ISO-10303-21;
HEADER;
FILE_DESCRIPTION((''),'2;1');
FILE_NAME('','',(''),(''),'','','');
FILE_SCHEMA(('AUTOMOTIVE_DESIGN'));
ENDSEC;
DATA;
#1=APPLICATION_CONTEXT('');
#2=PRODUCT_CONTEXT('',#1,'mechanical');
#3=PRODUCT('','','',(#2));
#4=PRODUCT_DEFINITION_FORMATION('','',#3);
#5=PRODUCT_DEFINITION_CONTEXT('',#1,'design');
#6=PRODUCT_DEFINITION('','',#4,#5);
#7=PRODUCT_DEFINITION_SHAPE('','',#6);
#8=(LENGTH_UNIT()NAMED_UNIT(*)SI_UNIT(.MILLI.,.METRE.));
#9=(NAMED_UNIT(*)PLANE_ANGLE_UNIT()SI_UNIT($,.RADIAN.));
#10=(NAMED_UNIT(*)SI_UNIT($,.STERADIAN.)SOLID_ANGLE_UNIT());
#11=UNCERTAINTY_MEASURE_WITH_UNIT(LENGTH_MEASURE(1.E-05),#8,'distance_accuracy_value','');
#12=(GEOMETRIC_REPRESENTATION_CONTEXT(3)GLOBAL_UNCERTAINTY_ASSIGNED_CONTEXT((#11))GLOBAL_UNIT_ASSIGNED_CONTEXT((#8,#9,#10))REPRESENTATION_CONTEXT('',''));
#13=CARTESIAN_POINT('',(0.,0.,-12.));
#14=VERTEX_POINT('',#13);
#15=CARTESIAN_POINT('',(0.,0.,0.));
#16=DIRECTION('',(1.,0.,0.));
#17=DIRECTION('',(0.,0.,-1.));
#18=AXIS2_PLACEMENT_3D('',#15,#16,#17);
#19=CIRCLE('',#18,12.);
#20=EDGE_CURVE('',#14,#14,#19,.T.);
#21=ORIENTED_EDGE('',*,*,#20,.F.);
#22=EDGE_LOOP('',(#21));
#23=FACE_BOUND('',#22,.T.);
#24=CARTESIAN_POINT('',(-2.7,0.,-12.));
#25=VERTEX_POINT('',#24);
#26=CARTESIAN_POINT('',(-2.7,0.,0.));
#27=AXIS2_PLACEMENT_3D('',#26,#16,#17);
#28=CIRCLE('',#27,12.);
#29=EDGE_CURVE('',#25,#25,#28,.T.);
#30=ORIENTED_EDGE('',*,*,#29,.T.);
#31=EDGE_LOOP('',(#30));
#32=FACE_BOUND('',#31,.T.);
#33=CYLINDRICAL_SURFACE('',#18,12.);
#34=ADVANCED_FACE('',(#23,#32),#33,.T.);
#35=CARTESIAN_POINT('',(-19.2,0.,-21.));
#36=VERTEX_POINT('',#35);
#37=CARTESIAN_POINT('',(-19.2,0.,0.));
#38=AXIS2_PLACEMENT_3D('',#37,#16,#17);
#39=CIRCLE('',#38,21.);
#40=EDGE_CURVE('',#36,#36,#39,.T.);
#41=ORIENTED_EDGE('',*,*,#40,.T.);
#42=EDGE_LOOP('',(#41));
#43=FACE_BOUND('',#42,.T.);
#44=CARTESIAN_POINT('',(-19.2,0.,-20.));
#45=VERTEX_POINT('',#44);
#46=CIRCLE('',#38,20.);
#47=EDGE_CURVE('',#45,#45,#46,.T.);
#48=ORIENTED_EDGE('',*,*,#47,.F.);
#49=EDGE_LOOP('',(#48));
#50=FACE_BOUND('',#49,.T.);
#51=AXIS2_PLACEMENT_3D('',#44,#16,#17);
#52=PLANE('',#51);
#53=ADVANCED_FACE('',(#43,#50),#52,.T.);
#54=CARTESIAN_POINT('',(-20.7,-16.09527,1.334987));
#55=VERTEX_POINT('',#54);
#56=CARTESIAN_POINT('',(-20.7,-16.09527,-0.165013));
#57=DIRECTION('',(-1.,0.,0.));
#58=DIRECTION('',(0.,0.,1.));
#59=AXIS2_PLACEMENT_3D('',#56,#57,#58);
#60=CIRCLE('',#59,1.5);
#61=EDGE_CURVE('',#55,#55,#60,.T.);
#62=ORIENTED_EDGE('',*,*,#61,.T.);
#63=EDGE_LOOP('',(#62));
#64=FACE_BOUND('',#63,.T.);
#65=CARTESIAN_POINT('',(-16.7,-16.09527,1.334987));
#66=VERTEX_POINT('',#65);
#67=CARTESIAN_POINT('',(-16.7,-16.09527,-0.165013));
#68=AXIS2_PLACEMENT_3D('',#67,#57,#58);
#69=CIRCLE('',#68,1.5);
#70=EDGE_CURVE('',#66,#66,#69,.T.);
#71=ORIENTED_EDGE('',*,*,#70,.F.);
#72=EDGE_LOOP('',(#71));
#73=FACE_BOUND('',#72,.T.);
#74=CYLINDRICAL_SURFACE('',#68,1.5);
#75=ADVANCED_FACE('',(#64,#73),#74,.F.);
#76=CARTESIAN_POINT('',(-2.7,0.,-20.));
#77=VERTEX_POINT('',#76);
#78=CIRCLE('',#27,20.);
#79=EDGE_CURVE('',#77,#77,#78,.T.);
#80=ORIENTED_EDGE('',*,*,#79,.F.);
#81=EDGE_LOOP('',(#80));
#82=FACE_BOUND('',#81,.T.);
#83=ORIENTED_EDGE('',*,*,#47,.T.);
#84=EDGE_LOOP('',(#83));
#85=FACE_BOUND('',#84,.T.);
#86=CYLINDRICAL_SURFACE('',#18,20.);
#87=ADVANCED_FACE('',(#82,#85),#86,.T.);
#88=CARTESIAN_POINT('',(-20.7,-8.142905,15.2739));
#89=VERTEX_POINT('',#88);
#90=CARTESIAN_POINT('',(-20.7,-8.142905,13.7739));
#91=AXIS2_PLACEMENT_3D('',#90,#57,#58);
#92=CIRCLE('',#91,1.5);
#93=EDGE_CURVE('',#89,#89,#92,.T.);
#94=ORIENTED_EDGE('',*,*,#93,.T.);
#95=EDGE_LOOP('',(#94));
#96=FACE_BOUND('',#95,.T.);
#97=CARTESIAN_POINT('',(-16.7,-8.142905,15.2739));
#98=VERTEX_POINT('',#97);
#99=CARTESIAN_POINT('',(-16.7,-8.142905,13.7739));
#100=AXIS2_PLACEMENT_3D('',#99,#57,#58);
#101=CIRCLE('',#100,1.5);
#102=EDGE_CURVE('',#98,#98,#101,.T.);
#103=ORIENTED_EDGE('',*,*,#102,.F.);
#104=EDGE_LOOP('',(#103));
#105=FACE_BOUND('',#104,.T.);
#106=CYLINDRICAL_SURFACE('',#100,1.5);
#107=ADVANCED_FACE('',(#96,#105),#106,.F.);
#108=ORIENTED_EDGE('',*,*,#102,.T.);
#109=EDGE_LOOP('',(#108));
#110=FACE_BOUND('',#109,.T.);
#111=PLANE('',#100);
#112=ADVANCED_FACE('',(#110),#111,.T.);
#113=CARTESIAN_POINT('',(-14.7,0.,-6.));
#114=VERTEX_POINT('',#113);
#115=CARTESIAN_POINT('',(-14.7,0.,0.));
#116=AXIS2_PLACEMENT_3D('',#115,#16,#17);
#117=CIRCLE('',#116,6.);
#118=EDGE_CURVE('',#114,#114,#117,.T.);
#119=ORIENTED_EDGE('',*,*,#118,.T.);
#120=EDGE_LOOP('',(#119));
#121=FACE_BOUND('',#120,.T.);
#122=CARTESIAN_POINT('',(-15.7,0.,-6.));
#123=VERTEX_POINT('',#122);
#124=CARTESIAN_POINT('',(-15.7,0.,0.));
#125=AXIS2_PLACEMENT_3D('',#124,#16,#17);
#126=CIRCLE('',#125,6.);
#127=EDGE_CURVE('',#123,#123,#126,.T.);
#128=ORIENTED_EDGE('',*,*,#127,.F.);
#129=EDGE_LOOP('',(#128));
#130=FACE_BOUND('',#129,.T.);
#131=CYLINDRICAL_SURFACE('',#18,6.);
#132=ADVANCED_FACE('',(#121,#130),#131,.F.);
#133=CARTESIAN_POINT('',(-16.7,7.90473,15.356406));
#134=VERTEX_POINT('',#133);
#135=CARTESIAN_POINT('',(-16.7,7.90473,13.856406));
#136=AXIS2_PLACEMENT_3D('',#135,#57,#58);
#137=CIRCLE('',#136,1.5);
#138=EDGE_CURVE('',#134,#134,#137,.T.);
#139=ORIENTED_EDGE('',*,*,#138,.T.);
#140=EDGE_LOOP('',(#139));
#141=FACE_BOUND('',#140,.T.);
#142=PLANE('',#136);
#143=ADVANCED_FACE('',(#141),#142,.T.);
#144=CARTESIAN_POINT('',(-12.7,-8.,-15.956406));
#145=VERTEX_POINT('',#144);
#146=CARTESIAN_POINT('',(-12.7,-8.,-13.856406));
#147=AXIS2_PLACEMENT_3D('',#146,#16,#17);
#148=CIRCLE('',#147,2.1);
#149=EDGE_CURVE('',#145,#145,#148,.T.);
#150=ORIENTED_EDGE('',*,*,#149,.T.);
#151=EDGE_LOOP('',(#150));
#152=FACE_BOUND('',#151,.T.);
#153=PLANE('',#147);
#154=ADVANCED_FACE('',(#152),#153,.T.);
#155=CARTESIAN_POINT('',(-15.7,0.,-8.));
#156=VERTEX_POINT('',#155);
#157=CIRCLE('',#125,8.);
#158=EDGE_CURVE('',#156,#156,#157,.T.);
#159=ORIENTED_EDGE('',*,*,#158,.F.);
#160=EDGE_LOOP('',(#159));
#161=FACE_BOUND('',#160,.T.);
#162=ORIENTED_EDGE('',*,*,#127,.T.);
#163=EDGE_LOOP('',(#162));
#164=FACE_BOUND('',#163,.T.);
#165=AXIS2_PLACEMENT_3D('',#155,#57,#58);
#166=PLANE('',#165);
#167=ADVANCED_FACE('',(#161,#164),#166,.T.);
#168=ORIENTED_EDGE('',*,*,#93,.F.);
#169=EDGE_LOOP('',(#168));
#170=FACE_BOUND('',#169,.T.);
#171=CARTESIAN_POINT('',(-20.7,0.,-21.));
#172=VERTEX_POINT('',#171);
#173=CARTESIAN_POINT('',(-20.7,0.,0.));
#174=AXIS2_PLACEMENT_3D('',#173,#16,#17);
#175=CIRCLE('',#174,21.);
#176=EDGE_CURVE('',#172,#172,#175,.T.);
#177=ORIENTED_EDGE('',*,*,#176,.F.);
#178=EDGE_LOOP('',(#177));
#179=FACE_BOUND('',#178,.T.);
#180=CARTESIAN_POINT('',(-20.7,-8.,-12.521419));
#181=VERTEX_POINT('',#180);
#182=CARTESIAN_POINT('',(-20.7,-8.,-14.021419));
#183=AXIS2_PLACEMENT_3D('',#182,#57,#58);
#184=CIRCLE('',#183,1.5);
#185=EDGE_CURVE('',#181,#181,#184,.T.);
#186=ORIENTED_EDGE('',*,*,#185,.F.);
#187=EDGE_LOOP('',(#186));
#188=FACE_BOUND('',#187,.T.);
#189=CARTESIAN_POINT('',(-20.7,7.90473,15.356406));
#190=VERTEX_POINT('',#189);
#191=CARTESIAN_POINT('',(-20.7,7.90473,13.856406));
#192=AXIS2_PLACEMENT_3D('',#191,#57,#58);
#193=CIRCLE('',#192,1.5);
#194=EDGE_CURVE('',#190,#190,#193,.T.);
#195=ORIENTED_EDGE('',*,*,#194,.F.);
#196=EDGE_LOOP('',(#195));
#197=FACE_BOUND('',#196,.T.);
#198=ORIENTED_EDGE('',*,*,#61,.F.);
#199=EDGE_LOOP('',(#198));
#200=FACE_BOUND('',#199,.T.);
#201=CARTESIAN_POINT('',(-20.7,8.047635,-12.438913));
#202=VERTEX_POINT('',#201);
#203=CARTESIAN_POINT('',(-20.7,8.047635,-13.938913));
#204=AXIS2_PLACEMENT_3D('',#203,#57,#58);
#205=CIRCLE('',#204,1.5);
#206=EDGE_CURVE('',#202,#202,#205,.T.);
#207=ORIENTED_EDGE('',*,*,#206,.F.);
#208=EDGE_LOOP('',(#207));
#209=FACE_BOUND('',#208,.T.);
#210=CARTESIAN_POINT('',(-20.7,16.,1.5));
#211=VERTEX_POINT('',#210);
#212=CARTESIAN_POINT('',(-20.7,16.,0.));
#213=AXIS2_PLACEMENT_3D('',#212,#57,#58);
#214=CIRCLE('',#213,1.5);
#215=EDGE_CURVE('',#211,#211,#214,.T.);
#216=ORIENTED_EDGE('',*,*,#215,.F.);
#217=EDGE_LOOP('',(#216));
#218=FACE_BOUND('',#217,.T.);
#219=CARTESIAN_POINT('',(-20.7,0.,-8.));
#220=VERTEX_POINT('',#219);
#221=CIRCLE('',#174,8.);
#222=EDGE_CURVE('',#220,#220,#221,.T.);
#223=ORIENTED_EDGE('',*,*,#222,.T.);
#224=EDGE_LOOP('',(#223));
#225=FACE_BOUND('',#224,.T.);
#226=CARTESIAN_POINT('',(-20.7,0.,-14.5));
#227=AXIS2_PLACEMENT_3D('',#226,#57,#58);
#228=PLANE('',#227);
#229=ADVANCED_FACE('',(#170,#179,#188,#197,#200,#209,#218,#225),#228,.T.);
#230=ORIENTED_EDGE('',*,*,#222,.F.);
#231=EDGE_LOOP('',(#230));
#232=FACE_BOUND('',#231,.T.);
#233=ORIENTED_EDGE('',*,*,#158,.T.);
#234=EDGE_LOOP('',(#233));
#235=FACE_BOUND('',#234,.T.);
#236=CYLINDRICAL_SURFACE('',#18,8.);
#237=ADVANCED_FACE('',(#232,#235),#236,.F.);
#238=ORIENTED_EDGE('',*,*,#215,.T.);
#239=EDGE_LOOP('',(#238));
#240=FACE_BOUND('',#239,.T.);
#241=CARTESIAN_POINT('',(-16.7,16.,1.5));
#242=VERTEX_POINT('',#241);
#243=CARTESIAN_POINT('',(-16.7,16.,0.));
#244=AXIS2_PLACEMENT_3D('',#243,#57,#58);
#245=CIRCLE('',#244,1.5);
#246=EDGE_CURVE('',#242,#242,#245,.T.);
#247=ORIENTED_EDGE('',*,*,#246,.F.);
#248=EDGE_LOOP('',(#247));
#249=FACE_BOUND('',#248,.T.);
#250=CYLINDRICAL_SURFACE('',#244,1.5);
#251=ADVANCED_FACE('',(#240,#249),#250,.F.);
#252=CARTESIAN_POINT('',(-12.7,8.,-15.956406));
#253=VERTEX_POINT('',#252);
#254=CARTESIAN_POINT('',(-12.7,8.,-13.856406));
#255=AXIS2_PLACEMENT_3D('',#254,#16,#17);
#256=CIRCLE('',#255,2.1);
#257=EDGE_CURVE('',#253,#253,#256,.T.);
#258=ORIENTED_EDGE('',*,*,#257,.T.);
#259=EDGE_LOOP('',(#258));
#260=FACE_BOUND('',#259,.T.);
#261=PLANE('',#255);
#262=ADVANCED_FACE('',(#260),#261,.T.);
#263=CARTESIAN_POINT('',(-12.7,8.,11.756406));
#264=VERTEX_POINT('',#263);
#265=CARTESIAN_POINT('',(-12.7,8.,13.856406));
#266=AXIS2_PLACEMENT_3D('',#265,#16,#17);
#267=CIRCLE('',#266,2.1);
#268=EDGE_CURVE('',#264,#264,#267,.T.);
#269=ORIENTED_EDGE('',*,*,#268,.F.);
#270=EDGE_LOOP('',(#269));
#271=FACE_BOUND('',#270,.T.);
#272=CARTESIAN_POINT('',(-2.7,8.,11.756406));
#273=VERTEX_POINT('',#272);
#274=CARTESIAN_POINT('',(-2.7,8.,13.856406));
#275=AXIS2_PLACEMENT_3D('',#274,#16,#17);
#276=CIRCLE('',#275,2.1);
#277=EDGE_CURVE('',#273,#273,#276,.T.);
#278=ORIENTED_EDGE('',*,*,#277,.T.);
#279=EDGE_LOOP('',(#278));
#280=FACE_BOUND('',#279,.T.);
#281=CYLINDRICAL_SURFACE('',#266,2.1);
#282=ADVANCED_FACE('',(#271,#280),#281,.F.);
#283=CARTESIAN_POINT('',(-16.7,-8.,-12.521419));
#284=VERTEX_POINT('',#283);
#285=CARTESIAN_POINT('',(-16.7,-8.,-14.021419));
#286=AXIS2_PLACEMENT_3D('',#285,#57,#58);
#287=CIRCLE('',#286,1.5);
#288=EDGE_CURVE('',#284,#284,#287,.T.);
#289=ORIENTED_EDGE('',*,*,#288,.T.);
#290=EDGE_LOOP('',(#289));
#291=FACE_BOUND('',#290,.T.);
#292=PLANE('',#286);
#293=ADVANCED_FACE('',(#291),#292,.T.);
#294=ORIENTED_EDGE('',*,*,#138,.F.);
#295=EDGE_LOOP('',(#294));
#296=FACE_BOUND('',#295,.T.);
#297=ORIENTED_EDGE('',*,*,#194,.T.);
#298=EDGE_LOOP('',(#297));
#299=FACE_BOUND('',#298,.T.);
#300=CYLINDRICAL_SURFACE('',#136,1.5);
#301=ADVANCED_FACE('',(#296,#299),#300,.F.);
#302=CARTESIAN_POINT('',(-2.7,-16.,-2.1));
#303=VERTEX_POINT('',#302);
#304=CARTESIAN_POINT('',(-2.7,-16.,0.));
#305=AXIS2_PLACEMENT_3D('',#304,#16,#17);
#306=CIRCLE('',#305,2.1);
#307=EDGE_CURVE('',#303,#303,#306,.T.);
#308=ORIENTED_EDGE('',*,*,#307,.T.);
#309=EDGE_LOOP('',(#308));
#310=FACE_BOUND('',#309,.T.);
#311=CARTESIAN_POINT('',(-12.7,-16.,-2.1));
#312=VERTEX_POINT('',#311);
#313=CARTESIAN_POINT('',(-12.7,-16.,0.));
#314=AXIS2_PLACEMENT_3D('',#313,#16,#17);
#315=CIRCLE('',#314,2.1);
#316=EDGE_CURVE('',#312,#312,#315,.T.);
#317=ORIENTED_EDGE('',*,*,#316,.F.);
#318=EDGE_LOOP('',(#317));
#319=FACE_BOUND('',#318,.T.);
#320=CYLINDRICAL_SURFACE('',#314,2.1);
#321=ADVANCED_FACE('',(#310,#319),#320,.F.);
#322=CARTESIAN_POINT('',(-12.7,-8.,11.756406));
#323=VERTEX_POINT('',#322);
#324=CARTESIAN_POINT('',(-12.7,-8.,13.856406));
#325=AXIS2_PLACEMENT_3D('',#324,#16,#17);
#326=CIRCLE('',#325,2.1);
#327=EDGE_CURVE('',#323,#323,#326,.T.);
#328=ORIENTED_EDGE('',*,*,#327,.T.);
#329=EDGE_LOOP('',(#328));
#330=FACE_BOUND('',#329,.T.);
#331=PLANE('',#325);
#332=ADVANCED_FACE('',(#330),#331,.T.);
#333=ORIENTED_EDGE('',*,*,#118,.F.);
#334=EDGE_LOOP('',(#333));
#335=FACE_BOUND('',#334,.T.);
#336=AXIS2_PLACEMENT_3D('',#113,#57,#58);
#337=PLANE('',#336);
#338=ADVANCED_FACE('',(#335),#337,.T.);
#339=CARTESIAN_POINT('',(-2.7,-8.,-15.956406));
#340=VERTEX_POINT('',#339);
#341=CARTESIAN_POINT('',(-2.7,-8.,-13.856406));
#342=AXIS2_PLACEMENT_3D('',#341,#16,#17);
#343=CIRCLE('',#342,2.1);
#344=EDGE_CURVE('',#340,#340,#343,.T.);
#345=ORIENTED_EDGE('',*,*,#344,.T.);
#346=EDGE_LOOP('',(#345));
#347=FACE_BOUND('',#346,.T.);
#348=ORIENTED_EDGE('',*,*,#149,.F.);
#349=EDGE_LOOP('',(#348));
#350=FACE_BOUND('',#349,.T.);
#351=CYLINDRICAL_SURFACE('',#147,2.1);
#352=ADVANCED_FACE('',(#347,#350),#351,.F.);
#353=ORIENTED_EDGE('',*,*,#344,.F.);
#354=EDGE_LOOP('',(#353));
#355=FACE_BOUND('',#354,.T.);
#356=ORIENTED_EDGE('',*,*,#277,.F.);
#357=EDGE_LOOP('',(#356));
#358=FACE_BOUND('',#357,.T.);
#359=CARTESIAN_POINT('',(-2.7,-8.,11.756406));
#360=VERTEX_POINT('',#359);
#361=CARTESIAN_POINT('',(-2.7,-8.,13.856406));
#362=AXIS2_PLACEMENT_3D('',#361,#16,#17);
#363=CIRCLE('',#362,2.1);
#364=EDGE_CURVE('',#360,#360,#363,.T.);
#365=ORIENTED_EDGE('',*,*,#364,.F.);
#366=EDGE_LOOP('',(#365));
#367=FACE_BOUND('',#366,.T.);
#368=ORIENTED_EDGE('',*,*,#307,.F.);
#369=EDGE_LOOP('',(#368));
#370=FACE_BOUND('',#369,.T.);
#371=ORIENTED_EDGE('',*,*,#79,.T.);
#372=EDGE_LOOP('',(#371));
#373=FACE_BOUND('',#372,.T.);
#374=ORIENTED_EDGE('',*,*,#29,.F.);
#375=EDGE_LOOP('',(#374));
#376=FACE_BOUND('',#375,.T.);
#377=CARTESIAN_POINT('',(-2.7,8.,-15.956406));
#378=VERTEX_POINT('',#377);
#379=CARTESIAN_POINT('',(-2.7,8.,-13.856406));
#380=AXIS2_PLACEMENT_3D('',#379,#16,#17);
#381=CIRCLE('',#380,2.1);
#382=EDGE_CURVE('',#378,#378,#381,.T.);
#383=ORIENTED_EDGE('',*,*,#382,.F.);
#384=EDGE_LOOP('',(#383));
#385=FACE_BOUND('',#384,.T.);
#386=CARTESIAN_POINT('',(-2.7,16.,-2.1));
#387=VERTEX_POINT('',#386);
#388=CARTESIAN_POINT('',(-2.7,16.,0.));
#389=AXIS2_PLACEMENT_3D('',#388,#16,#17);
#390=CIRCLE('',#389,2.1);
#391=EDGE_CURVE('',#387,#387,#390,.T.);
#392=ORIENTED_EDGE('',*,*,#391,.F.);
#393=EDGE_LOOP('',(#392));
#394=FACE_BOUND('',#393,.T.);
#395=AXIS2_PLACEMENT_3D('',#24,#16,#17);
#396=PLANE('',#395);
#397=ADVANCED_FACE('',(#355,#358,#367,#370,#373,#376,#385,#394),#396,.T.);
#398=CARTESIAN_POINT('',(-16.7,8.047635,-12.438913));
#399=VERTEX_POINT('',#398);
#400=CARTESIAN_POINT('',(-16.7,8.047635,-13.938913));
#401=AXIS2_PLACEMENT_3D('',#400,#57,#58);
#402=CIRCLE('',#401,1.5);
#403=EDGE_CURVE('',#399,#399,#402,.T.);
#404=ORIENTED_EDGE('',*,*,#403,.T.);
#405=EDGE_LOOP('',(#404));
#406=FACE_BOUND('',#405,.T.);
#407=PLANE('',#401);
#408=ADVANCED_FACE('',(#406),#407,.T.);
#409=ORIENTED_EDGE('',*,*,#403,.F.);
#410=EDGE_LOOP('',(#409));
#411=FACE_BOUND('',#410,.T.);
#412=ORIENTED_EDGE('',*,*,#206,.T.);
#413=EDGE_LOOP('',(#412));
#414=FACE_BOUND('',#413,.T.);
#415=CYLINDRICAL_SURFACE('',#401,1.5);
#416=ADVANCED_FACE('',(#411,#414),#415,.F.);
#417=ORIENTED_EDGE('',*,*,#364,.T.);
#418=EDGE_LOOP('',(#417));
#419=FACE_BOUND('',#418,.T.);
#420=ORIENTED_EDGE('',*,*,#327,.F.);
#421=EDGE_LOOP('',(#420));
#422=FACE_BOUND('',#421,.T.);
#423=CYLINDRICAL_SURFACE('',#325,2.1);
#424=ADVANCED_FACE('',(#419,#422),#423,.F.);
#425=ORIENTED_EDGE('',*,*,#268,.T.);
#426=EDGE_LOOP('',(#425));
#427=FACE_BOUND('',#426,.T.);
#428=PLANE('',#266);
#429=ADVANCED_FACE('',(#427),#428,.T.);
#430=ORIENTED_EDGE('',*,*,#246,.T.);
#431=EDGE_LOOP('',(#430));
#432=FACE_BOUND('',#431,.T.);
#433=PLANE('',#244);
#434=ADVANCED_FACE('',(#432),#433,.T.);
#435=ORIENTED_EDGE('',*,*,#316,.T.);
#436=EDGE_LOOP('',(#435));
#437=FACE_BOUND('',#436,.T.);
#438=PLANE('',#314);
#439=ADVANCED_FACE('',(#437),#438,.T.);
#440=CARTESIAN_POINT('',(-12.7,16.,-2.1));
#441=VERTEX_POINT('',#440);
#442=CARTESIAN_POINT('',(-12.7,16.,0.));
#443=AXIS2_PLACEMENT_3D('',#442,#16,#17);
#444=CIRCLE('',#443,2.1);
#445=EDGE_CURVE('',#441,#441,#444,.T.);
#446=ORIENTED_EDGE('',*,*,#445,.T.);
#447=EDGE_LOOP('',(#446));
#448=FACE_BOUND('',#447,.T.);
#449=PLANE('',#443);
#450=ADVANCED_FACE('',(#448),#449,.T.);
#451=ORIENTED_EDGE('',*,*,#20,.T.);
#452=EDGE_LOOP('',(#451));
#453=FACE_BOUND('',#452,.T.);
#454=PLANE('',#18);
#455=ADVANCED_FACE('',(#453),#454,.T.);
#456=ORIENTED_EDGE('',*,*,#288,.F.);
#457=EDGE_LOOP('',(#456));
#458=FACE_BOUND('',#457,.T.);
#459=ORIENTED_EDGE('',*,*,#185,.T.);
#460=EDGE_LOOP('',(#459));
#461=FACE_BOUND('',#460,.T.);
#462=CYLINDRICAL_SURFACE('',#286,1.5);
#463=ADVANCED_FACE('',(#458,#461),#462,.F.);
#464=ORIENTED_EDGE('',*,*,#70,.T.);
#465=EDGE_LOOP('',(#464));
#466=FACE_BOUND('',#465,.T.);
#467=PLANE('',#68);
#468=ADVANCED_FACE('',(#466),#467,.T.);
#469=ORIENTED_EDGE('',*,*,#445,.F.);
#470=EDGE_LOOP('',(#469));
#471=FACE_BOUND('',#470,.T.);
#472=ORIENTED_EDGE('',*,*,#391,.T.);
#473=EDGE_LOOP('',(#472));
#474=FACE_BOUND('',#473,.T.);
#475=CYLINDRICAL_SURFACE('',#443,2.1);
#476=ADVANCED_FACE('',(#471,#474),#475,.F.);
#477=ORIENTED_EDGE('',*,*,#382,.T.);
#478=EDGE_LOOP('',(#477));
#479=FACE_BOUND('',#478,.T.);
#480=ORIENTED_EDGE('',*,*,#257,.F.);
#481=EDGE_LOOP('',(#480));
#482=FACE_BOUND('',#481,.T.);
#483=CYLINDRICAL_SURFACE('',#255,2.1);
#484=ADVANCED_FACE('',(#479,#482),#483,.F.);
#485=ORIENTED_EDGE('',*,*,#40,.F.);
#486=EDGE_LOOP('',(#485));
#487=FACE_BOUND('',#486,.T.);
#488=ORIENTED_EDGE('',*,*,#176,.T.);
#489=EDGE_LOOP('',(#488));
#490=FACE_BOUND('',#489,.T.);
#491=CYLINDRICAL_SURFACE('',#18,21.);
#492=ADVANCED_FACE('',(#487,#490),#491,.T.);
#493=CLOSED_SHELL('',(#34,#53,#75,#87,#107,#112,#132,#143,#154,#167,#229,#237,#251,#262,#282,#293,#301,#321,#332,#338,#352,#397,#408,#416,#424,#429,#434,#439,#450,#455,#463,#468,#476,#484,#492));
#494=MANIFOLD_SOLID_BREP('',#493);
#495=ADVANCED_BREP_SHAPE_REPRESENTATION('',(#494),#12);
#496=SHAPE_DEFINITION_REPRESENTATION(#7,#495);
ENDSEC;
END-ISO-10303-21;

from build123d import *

# Parameters (mm, degrees)
SKETCH3_R          = 1.5
CUT_EXTRUDE1_DEPTH = 4
SKETCH4_R          = 2.1
CUT_EXTRUDE2_DEPTH = 10


with BuildPart() as part:
    # Sketch2 → Revolve1 (revolve)
    with BuildSketch(Plane(origin=(0, 0, 0), x_dir=(1, 0, 0), z_dir=(0, 1, 0))):
        Polygon((0, 0), (0, 12), (-2.7, 12), (-2.7, 20), (-19.2, 20), (-19.2, 21), (-20.7, 21), (-20.7, 17.652837292), (-20.7, 14.5), (-20.7, 8), (-15.7, 8), (-15.7, 6), (-14.7, 6), (-14.7, 0), align=None)
    revolve(axis=Axis((0, 0, 0), (-1, 0, 0)))

    # Sketch3 → Cut-Extrude1 (cut)
    with BuildSketch(Plane.ZY.offset(20.7)):
        with Locations((0, 16)):
            Circle(SKETCH3_R)
        with Locations((13.856406461, 7.904729806)):
            Circle(SKETCH3_R)
        with Locations((13.773900052, -8.142905292)):
            Circle(SKETCH3_R)
        with Locations((-0.165012817, -16.095270194)):
            Circle(SKETCH3_R)
        with Locations((-14.021419278, -8)):
            Circle(SKETCH3_R)
        with Locations((-13.938912869, 8.047635097)):
            Circle(SKETCH3_R)
    extrude(amount=-CUT_EXTRUDE1_DEPTH, mode=Mode.SUBTRACT)

    # Sketch4 → Cut-Extrude2 (cut)
    with BuildSketch(Plane(origin=(-2.7, 0, 0), x_dir=(0, 0, -1), z_dir=(1, 0, 0))):
        with Locations((0, 16)):
            Circle(SKETCH4_R)
        with Locations((13.856406461, 8)):
            Circle(SKETCH4_R)
        with Locations((13.856406461, -8)):
            Circle(SKETCH4_R)
        with Locations((0, -16)):
            Circle(SKETCH4_R)
        with Locations((-13.856406461, -8)):
            Circle(SKETCH4_R)
        with Locations((-13.856406461, 8)):
            Circle(SKETCH4_R)
    extrude(amount=-CUT_EXTRUDE2_DEPTH, mode=Mode.SUBTRACT)


solid = part.part
